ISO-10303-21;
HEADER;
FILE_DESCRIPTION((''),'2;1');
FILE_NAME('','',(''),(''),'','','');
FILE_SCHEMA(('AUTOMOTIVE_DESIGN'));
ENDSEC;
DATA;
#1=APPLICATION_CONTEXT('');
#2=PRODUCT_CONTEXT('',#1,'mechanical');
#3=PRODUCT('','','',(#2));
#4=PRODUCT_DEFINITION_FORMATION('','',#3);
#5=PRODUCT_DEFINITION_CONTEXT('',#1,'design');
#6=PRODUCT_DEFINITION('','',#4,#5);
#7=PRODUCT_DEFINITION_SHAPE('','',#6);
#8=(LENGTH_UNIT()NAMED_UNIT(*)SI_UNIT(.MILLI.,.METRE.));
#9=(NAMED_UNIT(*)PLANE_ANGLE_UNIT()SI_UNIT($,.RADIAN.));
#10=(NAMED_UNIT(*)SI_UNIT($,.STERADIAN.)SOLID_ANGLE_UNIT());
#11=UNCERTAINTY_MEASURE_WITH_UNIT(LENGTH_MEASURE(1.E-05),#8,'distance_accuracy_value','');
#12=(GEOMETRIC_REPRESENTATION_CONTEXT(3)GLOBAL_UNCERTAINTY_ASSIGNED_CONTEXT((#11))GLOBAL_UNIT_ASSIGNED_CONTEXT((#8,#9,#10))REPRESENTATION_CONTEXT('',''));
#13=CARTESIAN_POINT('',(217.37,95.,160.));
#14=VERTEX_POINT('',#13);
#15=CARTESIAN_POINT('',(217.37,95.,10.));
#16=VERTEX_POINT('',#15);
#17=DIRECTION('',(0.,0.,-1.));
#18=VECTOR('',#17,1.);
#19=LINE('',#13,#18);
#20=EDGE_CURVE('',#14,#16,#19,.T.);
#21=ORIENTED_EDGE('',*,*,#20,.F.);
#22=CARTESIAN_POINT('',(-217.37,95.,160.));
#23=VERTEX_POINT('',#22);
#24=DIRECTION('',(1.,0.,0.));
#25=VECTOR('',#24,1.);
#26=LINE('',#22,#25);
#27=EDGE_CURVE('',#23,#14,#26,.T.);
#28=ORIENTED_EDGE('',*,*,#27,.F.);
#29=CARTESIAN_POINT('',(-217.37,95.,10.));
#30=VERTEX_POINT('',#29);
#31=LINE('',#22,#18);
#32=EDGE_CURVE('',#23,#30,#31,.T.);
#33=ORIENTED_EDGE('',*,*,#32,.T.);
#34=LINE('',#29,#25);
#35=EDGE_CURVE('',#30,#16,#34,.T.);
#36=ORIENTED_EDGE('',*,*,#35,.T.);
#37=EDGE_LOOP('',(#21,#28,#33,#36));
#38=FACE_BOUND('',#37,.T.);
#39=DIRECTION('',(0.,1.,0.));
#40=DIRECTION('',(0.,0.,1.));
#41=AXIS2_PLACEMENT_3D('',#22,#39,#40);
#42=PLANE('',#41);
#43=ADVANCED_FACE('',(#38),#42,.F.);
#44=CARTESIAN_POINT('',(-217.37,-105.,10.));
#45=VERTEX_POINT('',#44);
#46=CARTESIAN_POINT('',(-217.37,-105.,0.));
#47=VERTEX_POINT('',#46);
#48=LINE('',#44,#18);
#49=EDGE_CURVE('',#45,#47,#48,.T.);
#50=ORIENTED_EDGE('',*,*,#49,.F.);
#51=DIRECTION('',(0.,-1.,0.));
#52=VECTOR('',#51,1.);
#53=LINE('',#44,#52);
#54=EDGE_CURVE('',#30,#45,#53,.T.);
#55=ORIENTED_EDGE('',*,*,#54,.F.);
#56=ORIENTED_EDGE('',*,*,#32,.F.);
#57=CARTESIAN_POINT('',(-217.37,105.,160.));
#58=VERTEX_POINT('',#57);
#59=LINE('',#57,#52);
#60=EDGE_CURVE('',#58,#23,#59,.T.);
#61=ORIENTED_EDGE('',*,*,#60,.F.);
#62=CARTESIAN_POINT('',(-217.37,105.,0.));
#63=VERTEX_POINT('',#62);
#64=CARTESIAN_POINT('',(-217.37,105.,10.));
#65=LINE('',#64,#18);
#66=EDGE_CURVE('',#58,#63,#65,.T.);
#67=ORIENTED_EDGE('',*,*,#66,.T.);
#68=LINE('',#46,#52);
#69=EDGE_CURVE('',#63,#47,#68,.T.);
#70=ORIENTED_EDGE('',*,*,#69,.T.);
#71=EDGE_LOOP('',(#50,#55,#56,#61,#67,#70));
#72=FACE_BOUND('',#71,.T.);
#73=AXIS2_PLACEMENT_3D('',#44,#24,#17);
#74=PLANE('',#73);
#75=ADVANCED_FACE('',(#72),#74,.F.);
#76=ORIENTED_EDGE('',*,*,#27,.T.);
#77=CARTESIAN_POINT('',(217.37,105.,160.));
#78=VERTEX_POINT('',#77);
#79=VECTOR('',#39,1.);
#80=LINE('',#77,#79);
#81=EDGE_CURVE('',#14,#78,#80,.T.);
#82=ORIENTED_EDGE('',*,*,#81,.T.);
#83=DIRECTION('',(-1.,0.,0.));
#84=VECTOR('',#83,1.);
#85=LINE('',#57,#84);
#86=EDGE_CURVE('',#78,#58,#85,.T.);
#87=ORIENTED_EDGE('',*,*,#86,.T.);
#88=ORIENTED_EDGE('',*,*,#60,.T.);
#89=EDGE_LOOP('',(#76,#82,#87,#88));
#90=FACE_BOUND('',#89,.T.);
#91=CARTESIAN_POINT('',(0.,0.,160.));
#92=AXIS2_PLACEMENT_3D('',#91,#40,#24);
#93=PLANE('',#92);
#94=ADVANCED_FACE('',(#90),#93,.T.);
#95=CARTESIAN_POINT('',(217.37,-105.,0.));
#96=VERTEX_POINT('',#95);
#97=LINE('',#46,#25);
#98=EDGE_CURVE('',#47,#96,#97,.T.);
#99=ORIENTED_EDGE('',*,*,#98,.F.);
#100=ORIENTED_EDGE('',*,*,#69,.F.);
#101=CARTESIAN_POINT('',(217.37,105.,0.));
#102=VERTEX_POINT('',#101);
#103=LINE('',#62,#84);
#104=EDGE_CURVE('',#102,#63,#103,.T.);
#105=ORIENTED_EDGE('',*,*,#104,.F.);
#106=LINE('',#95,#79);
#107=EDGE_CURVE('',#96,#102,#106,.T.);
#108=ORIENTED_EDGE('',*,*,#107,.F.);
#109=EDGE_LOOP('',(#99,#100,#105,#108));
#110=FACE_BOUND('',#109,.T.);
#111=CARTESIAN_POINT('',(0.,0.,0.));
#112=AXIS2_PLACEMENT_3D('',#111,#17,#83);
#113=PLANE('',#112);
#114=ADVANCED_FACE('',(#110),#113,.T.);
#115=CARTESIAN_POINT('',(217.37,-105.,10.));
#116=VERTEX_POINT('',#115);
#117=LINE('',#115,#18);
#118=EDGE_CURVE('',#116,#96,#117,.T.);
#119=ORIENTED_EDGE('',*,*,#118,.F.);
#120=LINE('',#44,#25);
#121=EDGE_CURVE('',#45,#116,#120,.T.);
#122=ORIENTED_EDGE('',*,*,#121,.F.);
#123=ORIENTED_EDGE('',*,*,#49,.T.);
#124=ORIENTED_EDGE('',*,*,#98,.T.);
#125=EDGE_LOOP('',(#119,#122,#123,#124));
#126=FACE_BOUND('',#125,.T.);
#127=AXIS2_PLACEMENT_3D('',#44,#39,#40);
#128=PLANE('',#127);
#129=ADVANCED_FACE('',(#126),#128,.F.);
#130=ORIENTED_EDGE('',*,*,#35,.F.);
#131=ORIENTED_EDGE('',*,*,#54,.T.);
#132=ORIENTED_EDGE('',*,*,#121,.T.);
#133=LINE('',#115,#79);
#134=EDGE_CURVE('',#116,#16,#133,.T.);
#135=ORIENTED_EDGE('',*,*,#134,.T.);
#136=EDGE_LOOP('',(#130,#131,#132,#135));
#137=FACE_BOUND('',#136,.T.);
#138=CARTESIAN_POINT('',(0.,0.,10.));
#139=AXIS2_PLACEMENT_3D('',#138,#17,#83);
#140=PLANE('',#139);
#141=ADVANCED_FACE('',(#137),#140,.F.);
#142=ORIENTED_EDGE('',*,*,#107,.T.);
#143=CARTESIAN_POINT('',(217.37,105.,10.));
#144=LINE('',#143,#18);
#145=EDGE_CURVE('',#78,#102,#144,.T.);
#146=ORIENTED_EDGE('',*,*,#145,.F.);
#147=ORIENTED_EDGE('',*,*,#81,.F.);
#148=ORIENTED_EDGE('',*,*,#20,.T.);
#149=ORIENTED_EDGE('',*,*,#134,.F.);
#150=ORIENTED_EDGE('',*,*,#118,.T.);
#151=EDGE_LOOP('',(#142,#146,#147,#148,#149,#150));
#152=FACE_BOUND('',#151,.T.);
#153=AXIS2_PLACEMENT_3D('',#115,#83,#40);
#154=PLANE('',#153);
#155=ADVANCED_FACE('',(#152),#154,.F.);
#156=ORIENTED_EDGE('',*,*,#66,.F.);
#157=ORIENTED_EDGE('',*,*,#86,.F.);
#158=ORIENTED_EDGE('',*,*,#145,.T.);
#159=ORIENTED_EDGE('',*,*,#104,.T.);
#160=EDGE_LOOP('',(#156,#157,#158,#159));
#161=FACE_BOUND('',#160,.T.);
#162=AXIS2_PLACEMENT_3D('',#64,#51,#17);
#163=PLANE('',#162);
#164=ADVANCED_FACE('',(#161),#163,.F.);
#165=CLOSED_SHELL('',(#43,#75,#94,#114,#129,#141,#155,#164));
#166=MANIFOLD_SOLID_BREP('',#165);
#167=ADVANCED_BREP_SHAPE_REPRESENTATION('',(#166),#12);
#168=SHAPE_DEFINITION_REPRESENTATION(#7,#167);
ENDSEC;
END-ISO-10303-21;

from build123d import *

# Parameters (mm, degrees)
CROQUIS1_W              = 434.74
CROQUIS1_H              = 210
SALIENTE_EXTRUIR1_DEPTH = 10
CROQUIS2_W              = 434.74
CROQUIS2_H              = 10
SALIENTE_EXTRUIR2_DEPTH = 150


with BuildPart() as part:
    # Croquis1 → Saliente-Extruir1 (new body)
    with BuildSketch(Plane.XY):
        Rectangle(CROQUIS1_W, CROQUIS1_H)
    extrude(amount=SALIENTE_EXTRUIR1_DEPTH)

    # Croquis2 → Saliente-Extruir2 (add)
    with BuildSketch(Plane.XY.offset(10)):
        with Locations((0, 100)):
            Rectangle(CROQUIS2_W, CROQUIS2_H)
    extrude(amount=SALIENTE_EXTRUIR2_DEPTH)


solid = part.part
